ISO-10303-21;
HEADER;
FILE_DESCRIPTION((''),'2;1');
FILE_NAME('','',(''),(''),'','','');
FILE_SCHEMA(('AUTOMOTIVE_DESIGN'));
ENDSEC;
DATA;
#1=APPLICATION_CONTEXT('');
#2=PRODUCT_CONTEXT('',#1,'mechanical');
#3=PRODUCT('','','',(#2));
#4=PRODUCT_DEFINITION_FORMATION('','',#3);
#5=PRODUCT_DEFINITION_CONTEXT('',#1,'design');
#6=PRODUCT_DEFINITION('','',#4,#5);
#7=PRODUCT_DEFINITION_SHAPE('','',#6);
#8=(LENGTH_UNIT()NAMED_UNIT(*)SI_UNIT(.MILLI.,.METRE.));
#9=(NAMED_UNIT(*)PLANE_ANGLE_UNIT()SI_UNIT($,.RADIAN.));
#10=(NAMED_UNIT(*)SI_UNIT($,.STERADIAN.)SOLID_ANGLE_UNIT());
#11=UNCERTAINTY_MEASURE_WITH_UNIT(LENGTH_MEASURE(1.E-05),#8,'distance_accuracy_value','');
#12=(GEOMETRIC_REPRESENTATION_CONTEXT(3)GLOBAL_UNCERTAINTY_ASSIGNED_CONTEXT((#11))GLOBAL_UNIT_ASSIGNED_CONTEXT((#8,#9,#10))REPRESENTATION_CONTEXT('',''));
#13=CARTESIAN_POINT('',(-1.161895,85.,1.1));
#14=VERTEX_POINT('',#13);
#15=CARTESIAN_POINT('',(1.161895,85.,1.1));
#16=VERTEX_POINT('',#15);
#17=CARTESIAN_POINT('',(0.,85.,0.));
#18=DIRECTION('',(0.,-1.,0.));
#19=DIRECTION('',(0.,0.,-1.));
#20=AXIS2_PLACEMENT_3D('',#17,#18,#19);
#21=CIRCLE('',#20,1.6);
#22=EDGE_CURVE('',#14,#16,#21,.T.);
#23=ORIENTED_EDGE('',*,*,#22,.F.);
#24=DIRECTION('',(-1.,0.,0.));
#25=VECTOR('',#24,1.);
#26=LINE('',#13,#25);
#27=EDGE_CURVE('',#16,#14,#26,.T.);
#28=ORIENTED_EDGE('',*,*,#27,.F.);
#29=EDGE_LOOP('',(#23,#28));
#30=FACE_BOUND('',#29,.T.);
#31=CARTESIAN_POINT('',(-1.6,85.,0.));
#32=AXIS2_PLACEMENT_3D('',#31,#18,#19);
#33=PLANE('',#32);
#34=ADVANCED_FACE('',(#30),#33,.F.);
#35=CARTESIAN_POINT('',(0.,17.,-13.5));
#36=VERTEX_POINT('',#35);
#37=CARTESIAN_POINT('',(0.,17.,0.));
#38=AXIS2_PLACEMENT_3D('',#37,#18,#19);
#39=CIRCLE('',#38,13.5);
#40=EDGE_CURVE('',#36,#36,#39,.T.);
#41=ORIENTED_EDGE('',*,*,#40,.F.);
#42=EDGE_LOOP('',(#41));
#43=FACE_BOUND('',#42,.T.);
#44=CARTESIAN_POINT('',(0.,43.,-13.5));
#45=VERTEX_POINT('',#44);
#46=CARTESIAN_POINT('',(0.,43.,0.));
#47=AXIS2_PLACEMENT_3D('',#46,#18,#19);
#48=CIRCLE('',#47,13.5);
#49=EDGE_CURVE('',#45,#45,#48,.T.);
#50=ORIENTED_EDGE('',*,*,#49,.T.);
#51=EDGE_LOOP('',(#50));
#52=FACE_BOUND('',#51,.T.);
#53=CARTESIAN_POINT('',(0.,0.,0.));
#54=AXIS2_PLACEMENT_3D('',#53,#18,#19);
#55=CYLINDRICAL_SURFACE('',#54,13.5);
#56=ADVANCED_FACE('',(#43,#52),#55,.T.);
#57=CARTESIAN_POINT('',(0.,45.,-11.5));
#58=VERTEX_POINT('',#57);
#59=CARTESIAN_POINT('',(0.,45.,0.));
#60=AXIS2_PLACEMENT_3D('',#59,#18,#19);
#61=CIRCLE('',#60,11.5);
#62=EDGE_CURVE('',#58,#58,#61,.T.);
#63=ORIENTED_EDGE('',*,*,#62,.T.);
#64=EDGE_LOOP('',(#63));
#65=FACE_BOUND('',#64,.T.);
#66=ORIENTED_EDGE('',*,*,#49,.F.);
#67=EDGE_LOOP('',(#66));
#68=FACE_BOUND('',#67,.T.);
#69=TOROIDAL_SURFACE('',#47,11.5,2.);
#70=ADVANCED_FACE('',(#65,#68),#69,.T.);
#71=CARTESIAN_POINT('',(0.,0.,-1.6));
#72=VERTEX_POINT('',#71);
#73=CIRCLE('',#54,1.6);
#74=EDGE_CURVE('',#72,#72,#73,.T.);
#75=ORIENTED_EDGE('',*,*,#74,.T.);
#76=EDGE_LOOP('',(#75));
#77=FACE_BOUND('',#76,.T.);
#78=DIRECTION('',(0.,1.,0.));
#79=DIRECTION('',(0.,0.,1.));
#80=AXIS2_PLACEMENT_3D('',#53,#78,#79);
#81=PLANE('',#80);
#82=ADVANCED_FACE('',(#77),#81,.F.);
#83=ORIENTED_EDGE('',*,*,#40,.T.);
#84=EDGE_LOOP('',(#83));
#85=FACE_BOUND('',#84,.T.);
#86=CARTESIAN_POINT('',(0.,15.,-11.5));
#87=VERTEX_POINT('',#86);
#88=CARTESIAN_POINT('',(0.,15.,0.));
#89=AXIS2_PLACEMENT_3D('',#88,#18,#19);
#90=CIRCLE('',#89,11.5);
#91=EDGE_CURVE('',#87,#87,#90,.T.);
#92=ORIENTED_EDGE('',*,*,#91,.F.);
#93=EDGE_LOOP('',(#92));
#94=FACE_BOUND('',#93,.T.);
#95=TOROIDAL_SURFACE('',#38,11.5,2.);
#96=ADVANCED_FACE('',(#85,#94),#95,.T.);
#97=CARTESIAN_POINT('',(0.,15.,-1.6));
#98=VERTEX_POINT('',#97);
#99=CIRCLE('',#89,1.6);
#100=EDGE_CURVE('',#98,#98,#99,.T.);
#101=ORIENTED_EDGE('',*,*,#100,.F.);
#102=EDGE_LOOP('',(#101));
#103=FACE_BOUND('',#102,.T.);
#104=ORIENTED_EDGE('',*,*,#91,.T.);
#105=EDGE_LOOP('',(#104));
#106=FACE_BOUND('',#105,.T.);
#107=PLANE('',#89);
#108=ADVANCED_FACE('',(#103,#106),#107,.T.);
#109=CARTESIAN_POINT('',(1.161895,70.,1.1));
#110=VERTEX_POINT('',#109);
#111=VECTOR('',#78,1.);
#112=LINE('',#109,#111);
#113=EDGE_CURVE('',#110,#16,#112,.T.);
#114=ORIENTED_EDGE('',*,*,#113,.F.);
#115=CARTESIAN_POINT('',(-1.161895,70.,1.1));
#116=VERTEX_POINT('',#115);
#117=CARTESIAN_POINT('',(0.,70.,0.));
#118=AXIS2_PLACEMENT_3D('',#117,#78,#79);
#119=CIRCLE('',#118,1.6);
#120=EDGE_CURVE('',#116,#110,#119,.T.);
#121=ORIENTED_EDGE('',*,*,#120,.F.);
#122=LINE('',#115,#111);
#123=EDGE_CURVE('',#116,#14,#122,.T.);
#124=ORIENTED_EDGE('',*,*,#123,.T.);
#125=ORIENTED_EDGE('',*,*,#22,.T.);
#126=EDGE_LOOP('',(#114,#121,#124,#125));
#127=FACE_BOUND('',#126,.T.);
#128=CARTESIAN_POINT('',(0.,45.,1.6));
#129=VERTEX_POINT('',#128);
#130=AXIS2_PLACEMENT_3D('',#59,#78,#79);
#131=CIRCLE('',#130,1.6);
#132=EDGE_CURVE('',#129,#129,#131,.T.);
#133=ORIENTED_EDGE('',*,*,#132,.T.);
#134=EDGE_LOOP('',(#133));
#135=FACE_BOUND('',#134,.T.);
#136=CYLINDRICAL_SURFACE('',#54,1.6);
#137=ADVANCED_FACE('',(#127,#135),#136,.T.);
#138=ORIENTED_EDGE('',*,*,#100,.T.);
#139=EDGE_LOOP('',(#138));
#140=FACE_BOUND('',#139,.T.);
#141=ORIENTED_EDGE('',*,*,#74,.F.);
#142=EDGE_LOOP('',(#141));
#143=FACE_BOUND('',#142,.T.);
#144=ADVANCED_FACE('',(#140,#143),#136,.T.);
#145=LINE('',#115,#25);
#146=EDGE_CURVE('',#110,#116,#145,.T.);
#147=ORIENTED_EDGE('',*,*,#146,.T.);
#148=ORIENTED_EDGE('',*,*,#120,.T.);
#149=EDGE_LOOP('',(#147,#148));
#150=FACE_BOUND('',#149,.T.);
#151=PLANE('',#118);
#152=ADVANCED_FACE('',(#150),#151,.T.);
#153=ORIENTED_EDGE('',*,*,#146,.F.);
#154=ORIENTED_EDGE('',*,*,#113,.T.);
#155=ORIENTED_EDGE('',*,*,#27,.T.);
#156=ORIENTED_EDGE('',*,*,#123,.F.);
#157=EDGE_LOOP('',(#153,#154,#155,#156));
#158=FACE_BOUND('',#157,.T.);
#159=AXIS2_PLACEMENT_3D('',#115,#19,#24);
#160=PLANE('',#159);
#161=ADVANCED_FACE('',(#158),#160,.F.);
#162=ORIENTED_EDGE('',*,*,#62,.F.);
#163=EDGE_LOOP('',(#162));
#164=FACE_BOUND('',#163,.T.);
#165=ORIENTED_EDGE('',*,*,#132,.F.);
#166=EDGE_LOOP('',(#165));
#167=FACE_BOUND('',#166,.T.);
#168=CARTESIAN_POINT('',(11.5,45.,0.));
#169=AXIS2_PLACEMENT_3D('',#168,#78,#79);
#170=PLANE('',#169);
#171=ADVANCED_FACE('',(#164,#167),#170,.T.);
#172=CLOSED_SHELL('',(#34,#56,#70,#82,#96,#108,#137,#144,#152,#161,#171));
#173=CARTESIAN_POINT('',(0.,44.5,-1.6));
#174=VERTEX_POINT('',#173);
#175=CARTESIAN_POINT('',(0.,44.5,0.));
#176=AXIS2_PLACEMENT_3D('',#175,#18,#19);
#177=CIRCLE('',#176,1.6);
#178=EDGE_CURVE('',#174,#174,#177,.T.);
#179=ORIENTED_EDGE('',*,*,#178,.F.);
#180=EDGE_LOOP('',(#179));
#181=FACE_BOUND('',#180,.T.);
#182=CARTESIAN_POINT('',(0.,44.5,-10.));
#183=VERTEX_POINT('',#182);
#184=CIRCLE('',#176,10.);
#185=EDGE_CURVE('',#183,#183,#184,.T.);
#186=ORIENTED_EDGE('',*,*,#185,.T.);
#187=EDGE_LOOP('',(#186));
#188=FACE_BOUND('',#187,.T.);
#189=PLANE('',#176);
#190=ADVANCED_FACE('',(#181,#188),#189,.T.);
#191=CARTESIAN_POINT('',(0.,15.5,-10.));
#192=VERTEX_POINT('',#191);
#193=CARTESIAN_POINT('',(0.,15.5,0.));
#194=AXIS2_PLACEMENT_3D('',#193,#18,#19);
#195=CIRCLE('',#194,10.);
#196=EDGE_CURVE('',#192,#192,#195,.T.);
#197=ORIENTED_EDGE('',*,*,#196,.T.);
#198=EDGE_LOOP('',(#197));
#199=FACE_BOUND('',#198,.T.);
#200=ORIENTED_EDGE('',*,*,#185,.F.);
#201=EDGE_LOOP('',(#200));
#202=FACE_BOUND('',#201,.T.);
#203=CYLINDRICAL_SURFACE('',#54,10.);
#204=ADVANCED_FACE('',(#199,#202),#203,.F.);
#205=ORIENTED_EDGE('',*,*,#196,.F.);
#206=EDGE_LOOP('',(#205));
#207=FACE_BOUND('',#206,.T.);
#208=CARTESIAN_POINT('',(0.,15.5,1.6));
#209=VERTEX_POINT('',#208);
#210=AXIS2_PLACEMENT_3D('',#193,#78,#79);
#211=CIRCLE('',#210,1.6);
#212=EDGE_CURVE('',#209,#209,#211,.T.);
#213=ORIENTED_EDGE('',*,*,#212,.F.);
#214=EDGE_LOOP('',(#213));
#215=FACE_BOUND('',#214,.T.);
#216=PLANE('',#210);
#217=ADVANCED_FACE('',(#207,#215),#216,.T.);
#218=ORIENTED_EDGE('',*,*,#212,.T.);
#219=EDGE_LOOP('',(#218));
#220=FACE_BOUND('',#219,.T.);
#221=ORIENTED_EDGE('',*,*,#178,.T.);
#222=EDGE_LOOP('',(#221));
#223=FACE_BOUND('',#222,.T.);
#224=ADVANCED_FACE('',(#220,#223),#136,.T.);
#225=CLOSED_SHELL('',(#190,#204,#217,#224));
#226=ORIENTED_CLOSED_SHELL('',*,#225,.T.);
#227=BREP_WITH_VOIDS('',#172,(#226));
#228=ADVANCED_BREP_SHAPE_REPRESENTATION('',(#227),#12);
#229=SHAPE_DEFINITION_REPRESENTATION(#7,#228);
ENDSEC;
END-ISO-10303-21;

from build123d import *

# Parameters (mm, degrees)
ENL_V_MAT_EXTRU_1_DEPTH                   = 15
TROU_TARAUD_M31_D                         = 2.5
TROU_TARAUD_M31_DEPTH                     = 8.5
TROU_TARAUD_M31_TIP                       = 0.751075774
ESQUISSE5_W                               = 0.7
ESQUISSE5_H                               = 3.8
BOSS_EXTRU_1_DEPTH                        = 6.7
CHANFREIN1_SIZE                           = 1
ESQUISSE6_R                               = 0.8
ENL_V_MAT_EXTRU_2_DEPTH                   = 6.7
R_P_TITION_CIRCULAIRE1_COUNT              = 2
CHANFREIN1_OF_R_P_TITION_CIRCULAIRE1_SIZE = 1
ENL_V_MAT_EXTRU_4_DEPTH                   = 90.145947749
ENL_V_MAT_EXTRU_4_DEPTH_BACK              = 90.145947749
ESQUISSE7_R                               = 19
ESQUISSE7_R_2                             = 1.6


with BuildPart() as part:
    # Esquisse1 → Révolution1 (revolve)
    with BuildSketch(Plane.XY, mode=Mode.PRIVATE) as r_volution1_sk:
        with BuildLine():
            Line((0, 0), (-1.6, 0))
            Line((-1.6, 0), (-1.6, 2.6))
            Line((-1.6, 2.6), (-5.075, 2.6))
            Line((-5.075, 2.6), (-5.075, 4.5))
            Line((-5.075, 4.5), (-19, 4.5))
            Line((-19, 4.5), (-19, 58))
            Line((-19, 58), (-17.85, 58))
            Line((-17.85, 58), (-17.85, 60))
            ThreePointArc((-17.85, 60), (-17.410660172, 61.060660172), (-16.35, 61.5))
            Line((-16.35, 61.5), (-6.5, 61.5))
            Line((-6.5, 61.5), (-6.5, 65.8))
            Line((-6.5, 65.8), (-1.6, 65.8))
            Line((-1.6, 65.8), (-1.6, 85))
            Line((-1.6, 85), (0, 85))
            Line((0, 85), (0, 0))
        make_face()
    revolve(r_volution1_sk.sketch.rotate(Axis((0, 0, 0), (0, 1, 0)), 270), axis=Axis((0, 0, 0), (0, 1, 0)))

    # Esquisse2 → Enlèv. mat.-Extru.1 (cut)
    with BuildSketch(Plane(origin=(0, 85, 0), x_dir=(1, 0, 0), z_dir=(0, 1, 0))):
        with BuildLine():
            Line((-1.161895004, -1.1), (1.161895004, -1.1))
            ThreePointArc((1.161895004, -1.1), (0, -1.6), (-1.161895004, -1.1))
        make_face()
    extrude(amount=-ENL_V_MAT_EXTRU_1_DEPTH, mode=Mode.SUBTRACT)

    # Trou taraudé M31
    with Locations(Plane(origin=(0, 61.5, 0), x_dir=(-1, 0, 0), z_dir=(0, 1, 0))):
        with Locations((12.5, 0), (-12.5, 0)):
            Hole(TROU_TARAUD_M31_D / 2, depth=TROU_TARAUD_M31_DEPTH)
            with Locations((0, 0, -(TROU_TARAUD_M31_DEPTH + TROU_TARAUD_M31_TIP / 2))):  # 118° drill point
                Cone(0, TROU_TARAUD_M31_D / 2, TROU_TARAUD_M31_TIP, mode=Mode.SUBTRACT)

    # Esquisse5 → Boss.-Extru.1 (add)
    with BuildSketch(Plane.XZ.offset(-4.5)):
        with Locations((-13.95, 0)):
            Rectangle(ESQUISSE5_W, ESQUISSE5_H)
    boss_extru_1 = extrude(amount=BOSS_EXTRU_1_DEPTH)

    # Chanfrein1
    chanfrein1_edges = [part.edges().sort_by_distance(p)[0] for p in [
        (-13.95, -2.2, -1.9),
        (-13.95, -2.2, 1.9),
    ]]
    chamfer(chanfrein1_edges, length=CHANFREIN1_SIZE)

    # Esquisse6 → Enlèv. mat.-Extru.2 (cut)
    with BuildSketch(Plane.ZY.offset(14.3)):
        Circle(ESQUISSE6_R)
    enl_v_mat_extru_2 = extrude(amount=-ENL_V_MAT_EXTRU_2_DEPTH, mode=Mode.SUBTRACT)

    # Répétition circulaire1: Boss.-Extru.1, Enlèv. mat.-Extru.2 ×2 about axis
    r_p_tition_circulaire1_axis = Axis((0, 0, 0), (0, 1, 0))
    add([boss_extru_1.rotate(r_p_tition_circulaire1_axis, i * 360 / R_P_TITION_CIRCULAIRE1_COUNT) for i in range(1, R_P_TITION_CIRCULAIRE1_COUNT)])
    add([enl_v_mat_extru_2.rotate(r_p_tition_circulaire1_axis, i * 360 / R_P_TITION_CIRCULAIRE1_COUNT) for i in range(1, R_P_TITION_CIRCULAIRE1_COUNT)], mode=Mode.SUBTRACT)

    # Chanfrein1 of Répétition circulaire1
    chanfrein1_of_r_p_tition_circulaire1_edges = [part.edges().sort_by_distance(p)[0] for p in [
        (13.95, -2.2, 1.9),
        (13.95, -2.2, -1.9),
    ]]
    chamfer(chanfrein1_of_r_p_tition_circulaire1_edges, length=CHANFREIN1_OF_R_P_TITION_CIRCULAIRE1_SIZE)

    # Esquisse7 → Enlèv. mat.-Extru.4 (cut, two sides: drawn at the far end of the back side and taken through both)
    with BuildSketch(Plane.XZ.offset(-ENL_V_MAT_EXTRU_4_DEPTH_BACK)):
        Circle(ESQUISSE7_R)
        with Locations(Location((0, 0, 0), (0, 0, 270))):
            Circle(ESQUISSE7_R_2, mode=Mode.SUBTRACT)
    extrude(amount=ENL_V_MAT_EXTRU_4_DEPTH + ENL_V_MAT_EXTRU_4_DEPTH_BACK, mode=Mode.SUBTRACT)

    # Esquisse9 → Révolution2 (revolve)
    with BuildSketch(Plane.XY, mode=Mode.PRIVATE) as r_volution2_sk:
        with BuildLine():
            Line((0, 15), (11.5, 15))
            ThreePointArc((11.5, 15), (12.914213562, 15.585786438), (13.5, 17))
            Line((13.5, 17), (13.5, 43))
            ThreePointArc((13.5, 43), (12.914213562, 44.414213562), (11.5, 45))
            Line((11.5, 45), (0, 45))
            Line((0, 45), (0, 44.5))
            Line((0, 44.5), (10, 44.5))
            Line((10, 44.5), (10, 15.5))
            Line((10, 15.5), (0, 15.5))
            Line((0, 15.5), (0, 15))
        make_face()
    revolve(r_volution2_sk.sketch.rotate(Axis((0, 0, 0), (0, 1, 0)), 90), axis=Axis((0, 0, 0), (0, 1, 0)))


solid = part.part
